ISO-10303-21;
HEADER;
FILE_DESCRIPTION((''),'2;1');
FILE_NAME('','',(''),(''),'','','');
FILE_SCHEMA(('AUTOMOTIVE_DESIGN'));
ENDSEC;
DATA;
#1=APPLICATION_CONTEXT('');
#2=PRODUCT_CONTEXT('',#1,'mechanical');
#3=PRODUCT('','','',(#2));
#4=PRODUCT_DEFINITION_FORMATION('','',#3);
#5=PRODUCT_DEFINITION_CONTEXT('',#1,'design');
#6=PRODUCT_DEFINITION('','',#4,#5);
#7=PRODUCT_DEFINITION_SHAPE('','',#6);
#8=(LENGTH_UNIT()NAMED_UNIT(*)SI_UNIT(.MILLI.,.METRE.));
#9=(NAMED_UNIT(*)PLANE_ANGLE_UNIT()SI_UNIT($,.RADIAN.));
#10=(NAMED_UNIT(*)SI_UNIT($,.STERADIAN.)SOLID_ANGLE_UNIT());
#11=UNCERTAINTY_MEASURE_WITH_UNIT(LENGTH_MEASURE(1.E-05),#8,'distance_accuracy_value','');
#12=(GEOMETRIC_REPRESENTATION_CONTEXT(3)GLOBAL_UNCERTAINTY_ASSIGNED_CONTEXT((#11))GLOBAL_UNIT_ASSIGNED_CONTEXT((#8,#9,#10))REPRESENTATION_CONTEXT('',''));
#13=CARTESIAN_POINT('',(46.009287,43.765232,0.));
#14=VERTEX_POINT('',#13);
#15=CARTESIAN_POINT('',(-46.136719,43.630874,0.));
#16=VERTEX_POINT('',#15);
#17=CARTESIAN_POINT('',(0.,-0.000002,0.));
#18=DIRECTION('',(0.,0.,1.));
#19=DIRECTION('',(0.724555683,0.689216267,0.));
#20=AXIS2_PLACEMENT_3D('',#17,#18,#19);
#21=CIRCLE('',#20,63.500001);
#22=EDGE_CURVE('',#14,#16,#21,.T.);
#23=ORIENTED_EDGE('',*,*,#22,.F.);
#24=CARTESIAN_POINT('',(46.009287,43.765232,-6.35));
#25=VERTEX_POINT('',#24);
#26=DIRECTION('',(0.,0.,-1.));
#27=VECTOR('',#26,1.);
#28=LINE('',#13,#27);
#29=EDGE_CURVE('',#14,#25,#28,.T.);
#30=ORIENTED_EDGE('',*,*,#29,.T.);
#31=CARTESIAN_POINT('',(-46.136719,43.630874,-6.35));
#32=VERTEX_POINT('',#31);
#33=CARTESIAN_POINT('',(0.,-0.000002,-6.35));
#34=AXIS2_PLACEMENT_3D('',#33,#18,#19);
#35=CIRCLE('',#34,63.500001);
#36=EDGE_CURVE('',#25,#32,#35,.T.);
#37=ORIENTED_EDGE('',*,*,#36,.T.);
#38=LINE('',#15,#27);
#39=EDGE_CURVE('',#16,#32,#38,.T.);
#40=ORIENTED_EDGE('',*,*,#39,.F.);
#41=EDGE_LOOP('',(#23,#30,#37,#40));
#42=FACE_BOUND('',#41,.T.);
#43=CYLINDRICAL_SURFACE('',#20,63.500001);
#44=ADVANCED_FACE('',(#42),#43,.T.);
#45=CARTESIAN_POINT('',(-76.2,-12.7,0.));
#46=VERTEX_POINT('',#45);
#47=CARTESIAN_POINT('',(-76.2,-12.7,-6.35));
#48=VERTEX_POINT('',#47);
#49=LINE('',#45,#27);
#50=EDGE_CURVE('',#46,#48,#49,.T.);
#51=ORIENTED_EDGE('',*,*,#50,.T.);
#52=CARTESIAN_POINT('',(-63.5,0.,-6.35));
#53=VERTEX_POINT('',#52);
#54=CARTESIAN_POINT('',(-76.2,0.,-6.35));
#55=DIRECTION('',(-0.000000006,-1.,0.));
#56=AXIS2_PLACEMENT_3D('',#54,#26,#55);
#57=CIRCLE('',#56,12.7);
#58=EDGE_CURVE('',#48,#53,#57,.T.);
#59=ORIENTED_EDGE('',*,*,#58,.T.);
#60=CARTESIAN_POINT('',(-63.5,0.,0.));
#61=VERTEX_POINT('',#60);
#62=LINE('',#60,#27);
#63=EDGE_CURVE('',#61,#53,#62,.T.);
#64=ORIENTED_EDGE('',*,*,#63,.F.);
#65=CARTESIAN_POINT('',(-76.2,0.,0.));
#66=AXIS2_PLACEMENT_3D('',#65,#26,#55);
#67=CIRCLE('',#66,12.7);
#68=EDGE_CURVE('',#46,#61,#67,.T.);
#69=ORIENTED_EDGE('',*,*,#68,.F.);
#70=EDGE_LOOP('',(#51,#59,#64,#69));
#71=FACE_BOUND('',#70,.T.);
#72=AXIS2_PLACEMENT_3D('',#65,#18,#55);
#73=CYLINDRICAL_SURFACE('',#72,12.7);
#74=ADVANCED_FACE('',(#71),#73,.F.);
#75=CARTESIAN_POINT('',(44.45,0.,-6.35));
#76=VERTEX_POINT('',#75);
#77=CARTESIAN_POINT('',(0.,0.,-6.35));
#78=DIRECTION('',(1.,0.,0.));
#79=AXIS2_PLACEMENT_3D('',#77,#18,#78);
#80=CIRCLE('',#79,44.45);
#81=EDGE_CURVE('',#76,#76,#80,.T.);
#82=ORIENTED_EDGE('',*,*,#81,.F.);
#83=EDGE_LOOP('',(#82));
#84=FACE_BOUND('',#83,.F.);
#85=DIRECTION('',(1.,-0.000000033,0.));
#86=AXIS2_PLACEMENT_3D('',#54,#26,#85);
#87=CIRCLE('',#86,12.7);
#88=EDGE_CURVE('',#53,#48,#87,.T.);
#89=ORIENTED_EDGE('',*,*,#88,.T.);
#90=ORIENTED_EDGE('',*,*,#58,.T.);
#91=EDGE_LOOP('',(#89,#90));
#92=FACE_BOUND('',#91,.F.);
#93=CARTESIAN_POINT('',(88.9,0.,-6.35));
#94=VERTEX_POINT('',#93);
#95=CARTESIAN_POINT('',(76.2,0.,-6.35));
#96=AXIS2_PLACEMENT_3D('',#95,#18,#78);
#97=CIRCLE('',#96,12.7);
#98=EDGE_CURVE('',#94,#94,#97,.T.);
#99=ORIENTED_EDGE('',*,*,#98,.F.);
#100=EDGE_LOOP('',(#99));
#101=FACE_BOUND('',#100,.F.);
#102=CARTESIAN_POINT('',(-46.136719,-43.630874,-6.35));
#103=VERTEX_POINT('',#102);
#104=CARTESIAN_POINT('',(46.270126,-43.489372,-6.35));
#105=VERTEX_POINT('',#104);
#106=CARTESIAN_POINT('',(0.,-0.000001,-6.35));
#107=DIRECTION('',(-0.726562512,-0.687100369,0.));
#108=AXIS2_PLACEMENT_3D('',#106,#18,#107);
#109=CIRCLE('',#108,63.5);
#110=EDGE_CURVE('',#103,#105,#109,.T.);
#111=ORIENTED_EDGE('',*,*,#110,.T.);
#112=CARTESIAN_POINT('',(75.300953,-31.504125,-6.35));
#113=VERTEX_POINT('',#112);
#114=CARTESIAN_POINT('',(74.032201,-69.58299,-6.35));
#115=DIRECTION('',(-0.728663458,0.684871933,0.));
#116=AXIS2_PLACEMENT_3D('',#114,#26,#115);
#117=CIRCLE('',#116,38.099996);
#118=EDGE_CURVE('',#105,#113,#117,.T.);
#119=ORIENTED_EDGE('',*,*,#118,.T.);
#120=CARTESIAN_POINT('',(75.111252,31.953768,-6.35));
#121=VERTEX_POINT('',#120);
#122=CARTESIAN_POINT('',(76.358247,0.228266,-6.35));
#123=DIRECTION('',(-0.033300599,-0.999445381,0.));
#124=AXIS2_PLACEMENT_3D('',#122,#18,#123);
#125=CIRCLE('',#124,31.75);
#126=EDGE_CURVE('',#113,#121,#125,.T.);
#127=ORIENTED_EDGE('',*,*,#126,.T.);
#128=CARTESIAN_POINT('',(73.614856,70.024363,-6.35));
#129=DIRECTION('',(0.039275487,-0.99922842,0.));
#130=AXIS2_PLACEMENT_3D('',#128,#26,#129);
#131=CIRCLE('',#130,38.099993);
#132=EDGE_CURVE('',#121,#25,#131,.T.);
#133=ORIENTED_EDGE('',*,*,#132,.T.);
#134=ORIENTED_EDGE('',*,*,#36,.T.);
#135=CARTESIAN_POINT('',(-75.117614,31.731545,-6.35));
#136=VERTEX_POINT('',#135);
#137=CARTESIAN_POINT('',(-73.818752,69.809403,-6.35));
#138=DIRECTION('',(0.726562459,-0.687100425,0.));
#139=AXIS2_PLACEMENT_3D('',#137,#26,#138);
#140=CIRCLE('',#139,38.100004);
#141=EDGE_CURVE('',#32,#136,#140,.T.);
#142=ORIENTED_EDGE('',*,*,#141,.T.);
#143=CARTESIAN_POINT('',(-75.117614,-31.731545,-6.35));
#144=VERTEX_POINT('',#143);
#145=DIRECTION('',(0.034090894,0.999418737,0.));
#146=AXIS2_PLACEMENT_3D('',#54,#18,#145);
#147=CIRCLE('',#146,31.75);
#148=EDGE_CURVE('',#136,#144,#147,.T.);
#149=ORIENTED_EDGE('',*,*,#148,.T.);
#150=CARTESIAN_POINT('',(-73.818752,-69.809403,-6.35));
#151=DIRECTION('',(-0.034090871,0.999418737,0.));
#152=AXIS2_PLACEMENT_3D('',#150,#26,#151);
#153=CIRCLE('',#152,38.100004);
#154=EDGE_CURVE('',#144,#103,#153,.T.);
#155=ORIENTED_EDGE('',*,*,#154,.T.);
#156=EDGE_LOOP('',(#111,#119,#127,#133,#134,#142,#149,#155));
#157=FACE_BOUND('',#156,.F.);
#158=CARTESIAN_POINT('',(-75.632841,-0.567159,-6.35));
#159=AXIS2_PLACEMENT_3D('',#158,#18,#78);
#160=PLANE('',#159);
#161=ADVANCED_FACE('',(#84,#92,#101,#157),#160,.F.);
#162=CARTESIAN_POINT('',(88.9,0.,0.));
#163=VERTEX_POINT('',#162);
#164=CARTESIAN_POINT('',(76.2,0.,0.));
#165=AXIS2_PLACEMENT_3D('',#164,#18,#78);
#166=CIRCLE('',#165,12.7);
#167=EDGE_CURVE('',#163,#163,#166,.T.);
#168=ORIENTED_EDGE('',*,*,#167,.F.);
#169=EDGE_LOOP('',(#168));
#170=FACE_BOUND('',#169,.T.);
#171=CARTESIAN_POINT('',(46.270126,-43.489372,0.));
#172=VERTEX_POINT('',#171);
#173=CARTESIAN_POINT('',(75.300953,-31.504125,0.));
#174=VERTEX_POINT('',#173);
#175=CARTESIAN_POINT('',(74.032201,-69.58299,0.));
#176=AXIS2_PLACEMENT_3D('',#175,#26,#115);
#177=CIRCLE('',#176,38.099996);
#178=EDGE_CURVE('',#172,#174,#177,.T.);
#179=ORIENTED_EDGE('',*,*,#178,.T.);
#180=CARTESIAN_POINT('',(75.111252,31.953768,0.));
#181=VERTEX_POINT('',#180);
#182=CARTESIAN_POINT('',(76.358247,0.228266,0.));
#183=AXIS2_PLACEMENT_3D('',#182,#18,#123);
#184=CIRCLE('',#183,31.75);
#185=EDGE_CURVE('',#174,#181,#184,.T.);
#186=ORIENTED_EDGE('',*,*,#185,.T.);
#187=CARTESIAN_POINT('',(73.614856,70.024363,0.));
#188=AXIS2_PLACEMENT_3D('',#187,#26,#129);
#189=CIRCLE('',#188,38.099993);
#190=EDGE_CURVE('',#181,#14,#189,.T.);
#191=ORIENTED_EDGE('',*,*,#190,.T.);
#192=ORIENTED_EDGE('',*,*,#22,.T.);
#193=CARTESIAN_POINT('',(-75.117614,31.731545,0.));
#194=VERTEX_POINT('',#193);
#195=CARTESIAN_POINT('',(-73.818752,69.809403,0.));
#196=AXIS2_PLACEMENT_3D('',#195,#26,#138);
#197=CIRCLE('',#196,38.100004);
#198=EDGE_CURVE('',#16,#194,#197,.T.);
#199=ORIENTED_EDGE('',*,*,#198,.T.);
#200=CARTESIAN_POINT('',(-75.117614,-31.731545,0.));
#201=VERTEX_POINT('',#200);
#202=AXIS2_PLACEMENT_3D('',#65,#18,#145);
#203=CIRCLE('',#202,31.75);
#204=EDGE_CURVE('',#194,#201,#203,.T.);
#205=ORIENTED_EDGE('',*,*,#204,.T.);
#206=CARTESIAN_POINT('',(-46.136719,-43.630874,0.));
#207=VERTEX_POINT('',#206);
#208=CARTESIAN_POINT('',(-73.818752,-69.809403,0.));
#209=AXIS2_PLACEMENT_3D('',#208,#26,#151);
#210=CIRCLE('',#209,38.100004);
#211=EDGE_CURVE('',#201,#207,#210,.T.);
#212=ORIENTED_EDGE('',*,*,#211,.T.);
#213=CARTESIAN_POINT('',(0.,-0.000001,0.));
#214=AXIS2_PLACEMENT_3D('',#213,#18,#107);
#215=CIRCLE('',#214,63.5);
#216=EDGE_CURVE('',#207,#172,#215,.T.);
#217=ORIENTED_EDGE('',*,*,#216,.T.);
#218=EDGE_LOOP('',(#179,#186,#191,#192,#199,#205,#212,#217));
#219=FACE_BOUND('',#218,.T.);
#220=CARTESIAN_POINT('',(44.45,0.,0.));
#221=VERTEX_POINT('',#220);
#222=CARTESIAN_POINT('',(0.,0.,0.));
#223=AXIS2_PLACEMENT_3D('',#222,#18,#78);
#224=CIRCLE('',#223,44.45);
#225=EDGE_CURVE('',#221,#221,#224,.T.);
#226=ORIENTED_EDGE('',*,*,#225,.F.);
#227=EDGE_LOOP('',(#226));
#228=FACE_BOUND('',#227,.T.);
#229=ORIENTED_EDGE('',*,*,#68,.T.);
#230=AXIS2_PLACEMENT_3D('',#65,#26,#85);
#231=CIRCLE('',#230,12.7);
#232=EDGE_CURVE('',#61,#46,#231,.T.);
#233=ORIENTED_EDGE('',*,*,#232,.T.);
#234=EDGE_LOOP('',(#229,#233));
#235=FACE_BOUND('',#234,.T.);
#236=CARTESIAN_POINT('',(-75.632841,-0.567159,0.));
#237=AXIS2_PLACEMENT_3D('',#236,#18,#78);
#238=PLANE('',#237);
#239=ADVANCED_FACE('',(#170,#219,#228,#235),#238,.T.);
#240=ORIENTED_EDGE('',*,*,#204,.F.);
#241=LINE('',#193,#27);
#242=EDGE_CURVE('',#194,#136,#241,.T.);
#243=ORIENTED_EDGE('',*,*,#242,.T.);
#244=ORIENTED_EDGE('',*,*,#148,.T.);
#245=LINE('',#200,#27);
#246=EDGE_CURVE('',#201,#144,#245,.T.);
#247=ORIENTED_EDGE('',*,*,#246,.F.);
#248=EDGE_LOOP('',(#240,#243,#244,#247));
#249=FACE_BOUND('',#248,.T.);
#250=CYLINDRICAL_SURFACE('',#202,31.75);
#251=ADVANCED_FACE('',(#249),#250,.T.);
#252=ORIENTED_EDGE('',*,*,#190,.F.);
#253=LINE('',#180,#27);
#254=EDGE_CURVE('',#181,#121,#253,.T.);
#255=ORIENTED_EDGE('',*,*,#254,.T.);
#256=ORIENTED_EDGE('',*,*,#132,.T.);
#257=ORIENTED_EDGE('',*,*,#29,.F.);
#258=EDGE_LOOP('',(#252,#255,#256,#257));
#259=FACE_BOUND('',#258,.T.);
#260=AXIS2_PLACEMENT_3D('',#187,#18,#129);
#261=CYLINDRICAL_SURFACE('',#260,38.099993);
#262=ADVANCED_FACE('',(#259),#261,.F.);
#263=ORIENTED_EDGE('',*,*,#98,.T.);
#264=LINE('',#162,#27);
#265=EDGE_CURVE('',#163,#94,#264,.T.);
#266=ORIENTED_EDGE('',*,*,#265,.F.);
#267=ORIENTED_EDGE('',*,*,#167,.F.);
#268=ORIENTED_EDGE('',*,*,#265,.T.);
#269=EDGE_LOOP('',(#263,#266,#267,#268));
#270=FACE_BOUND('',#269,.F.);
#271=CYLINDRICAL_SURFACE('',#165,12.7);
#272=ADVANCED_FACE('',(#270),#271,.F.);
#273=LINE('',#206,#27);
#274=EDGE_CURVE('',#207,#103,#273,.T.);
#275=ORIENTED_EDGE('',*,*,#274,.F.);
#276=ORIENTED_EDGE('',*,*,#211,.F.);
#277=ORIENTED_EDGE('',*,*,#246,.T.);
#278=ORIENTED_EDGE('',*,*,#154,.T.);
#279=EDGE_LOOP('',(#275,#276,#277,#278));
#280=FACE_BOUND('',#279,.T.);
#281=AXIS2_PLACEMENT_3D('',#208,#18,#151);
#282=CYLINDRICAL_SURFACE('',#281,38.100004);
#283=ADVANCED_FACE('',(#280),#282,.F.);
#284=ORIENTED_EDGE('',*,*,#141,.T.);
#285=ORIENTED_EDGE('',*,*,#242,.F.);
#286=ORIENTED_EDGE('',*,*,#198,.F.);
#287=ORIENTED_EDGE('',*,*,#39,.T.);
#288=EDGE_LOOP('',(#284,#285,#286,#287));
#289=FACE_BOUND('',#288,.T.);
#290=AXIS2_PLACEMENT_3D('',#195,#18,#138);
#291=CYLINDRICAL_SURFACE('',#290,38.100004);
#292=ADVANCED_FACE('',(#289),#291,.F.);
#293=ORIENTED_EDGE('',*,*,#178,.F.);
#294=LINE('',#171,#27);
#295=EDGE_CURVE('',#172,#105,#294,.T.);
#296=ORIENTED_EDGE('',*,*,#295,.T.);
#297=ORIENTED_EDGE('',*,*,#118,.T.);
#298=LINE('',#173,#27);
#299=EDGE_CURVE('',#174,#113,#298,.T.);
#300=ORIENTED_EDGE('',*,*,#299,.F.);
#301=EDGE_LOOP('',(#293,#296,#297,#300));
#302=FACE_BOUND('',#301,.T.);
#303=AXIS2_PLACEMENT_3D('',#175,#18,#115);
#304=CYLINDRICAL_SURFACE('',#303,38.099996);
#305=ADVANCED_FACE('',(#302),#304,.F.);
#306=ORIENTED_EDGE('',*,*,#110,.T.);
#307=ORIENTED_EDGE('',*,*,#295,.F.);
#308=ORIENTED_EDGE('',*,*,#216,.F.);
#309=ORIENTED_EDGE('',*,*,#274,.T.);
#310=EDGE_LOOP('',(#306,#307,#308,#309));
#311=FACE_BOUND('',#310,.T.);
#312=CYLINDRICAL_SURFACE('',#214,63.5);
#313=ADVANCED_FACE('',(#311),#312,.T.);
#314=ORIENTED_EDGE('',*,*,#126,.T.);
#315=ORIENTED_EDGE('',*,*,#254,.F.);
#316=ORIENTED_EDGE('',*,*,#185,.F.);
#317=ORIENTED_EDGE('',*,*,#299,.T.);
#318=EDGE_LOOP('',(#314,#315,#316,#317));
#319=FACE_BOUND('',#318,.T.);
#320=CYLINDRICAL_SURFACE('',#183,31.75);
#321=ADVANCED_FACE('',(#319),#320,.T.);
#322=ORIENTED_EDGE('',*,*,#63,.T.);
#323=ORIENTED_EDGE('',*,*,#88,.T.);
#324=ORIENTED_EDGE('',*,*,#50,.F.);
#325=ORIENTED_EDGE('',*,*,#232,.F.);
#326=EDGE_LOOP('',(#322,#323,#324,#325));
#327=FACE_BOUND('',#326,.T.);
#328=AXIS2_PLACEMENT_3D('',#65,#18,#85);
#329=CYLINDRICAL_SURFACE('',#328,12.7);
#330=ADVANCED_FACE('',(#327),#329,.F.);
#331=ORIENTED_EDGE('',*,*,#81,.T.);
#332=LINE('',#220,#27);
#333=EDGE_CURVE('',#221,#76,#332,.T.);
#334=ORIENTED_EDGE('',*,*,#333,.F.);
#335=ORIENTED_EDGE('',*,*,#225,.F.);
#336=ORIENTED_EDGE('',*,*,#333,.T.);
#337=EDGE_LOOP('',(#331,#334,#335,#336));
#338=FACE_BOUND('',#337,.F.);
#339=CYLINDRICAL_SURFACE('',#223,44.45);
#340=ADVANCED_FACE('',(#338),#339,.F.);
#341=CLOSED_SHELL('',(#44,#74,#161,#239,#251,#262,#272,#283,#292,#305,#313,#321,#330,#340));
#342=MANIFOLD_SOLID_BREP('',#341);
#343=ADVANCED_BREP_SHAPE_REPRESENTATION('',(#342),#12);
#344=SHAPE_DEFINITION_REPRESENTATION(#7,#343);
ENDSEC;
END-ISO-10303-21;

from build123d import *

# Parameters (mm, degrees)
F0_R     = 44.45
F0_R_2   = 12.7
F1_DEPTH = 6.35


with BuildPart() as f1:
    # F0 (on Top) → F1 (new body)
    with BuildSketch(Plane.XY):
        with BuildLine():
            ThreePointArc((-76.2, -12.7), (-67.219744, -8.980256), (-63.5, 0))
            ThreePointArc((-63.5, 0), (-85.180256, 8.980256), (-76.2, -12.7))
        make_face()
        with BuildLine():
            ThreePointArc((-46.136719, 43.630874), (-59.347524, 34.564632), (-75.117614, 31.731545))
            ThreePointArc((-75.117614, 31.731545), (-107.95, 0), (-75.117614, -31.731545))
            ThreePointArc((-75.117614, -31.731545), (-59.347524, -34.564632), (-46.136719, -43.630874))
            ThreePointArc((-46.136719, -43.630874), (0.097237, -63.499926), (46.270126, -43.489372))
            ThreePointArc((46.270126, -43.489372), (59.493096, -34.366174), (75.300953, -31.504125))
            ThreePointArc((75.300953, -31.504125), (108.108105, 0.323178), (75.111252, 31.953768))
            ThreePointArc((75.111252, 31.953768), (59.286566, 34.721254), (46.009287, 43.765232))
            ThreePointArc((46.009287, 43.765232), (-0.092589, 63.499932), (-46.136719, 43.630874))
        make_face()
        with BuildLine():
            ThreePointArc((-76.2, -12.7), (-85.180256, 8.980256), (-63.5, 0))
            ThreePointArc((-63.5, 0), (-67.219744, -8.980256), (-76.2, -12.7))
        make_face(mode=Mode.SUBTRACT)
        Circle(F0_R, mode=Mode.SUBTRACT)
        with Locations((76.2, 0)):
            Circle(F0_R_2, mode=Mode.SUBTRACT)
    extrude(amount=-F1_DEPTH)


solid = f1.part
